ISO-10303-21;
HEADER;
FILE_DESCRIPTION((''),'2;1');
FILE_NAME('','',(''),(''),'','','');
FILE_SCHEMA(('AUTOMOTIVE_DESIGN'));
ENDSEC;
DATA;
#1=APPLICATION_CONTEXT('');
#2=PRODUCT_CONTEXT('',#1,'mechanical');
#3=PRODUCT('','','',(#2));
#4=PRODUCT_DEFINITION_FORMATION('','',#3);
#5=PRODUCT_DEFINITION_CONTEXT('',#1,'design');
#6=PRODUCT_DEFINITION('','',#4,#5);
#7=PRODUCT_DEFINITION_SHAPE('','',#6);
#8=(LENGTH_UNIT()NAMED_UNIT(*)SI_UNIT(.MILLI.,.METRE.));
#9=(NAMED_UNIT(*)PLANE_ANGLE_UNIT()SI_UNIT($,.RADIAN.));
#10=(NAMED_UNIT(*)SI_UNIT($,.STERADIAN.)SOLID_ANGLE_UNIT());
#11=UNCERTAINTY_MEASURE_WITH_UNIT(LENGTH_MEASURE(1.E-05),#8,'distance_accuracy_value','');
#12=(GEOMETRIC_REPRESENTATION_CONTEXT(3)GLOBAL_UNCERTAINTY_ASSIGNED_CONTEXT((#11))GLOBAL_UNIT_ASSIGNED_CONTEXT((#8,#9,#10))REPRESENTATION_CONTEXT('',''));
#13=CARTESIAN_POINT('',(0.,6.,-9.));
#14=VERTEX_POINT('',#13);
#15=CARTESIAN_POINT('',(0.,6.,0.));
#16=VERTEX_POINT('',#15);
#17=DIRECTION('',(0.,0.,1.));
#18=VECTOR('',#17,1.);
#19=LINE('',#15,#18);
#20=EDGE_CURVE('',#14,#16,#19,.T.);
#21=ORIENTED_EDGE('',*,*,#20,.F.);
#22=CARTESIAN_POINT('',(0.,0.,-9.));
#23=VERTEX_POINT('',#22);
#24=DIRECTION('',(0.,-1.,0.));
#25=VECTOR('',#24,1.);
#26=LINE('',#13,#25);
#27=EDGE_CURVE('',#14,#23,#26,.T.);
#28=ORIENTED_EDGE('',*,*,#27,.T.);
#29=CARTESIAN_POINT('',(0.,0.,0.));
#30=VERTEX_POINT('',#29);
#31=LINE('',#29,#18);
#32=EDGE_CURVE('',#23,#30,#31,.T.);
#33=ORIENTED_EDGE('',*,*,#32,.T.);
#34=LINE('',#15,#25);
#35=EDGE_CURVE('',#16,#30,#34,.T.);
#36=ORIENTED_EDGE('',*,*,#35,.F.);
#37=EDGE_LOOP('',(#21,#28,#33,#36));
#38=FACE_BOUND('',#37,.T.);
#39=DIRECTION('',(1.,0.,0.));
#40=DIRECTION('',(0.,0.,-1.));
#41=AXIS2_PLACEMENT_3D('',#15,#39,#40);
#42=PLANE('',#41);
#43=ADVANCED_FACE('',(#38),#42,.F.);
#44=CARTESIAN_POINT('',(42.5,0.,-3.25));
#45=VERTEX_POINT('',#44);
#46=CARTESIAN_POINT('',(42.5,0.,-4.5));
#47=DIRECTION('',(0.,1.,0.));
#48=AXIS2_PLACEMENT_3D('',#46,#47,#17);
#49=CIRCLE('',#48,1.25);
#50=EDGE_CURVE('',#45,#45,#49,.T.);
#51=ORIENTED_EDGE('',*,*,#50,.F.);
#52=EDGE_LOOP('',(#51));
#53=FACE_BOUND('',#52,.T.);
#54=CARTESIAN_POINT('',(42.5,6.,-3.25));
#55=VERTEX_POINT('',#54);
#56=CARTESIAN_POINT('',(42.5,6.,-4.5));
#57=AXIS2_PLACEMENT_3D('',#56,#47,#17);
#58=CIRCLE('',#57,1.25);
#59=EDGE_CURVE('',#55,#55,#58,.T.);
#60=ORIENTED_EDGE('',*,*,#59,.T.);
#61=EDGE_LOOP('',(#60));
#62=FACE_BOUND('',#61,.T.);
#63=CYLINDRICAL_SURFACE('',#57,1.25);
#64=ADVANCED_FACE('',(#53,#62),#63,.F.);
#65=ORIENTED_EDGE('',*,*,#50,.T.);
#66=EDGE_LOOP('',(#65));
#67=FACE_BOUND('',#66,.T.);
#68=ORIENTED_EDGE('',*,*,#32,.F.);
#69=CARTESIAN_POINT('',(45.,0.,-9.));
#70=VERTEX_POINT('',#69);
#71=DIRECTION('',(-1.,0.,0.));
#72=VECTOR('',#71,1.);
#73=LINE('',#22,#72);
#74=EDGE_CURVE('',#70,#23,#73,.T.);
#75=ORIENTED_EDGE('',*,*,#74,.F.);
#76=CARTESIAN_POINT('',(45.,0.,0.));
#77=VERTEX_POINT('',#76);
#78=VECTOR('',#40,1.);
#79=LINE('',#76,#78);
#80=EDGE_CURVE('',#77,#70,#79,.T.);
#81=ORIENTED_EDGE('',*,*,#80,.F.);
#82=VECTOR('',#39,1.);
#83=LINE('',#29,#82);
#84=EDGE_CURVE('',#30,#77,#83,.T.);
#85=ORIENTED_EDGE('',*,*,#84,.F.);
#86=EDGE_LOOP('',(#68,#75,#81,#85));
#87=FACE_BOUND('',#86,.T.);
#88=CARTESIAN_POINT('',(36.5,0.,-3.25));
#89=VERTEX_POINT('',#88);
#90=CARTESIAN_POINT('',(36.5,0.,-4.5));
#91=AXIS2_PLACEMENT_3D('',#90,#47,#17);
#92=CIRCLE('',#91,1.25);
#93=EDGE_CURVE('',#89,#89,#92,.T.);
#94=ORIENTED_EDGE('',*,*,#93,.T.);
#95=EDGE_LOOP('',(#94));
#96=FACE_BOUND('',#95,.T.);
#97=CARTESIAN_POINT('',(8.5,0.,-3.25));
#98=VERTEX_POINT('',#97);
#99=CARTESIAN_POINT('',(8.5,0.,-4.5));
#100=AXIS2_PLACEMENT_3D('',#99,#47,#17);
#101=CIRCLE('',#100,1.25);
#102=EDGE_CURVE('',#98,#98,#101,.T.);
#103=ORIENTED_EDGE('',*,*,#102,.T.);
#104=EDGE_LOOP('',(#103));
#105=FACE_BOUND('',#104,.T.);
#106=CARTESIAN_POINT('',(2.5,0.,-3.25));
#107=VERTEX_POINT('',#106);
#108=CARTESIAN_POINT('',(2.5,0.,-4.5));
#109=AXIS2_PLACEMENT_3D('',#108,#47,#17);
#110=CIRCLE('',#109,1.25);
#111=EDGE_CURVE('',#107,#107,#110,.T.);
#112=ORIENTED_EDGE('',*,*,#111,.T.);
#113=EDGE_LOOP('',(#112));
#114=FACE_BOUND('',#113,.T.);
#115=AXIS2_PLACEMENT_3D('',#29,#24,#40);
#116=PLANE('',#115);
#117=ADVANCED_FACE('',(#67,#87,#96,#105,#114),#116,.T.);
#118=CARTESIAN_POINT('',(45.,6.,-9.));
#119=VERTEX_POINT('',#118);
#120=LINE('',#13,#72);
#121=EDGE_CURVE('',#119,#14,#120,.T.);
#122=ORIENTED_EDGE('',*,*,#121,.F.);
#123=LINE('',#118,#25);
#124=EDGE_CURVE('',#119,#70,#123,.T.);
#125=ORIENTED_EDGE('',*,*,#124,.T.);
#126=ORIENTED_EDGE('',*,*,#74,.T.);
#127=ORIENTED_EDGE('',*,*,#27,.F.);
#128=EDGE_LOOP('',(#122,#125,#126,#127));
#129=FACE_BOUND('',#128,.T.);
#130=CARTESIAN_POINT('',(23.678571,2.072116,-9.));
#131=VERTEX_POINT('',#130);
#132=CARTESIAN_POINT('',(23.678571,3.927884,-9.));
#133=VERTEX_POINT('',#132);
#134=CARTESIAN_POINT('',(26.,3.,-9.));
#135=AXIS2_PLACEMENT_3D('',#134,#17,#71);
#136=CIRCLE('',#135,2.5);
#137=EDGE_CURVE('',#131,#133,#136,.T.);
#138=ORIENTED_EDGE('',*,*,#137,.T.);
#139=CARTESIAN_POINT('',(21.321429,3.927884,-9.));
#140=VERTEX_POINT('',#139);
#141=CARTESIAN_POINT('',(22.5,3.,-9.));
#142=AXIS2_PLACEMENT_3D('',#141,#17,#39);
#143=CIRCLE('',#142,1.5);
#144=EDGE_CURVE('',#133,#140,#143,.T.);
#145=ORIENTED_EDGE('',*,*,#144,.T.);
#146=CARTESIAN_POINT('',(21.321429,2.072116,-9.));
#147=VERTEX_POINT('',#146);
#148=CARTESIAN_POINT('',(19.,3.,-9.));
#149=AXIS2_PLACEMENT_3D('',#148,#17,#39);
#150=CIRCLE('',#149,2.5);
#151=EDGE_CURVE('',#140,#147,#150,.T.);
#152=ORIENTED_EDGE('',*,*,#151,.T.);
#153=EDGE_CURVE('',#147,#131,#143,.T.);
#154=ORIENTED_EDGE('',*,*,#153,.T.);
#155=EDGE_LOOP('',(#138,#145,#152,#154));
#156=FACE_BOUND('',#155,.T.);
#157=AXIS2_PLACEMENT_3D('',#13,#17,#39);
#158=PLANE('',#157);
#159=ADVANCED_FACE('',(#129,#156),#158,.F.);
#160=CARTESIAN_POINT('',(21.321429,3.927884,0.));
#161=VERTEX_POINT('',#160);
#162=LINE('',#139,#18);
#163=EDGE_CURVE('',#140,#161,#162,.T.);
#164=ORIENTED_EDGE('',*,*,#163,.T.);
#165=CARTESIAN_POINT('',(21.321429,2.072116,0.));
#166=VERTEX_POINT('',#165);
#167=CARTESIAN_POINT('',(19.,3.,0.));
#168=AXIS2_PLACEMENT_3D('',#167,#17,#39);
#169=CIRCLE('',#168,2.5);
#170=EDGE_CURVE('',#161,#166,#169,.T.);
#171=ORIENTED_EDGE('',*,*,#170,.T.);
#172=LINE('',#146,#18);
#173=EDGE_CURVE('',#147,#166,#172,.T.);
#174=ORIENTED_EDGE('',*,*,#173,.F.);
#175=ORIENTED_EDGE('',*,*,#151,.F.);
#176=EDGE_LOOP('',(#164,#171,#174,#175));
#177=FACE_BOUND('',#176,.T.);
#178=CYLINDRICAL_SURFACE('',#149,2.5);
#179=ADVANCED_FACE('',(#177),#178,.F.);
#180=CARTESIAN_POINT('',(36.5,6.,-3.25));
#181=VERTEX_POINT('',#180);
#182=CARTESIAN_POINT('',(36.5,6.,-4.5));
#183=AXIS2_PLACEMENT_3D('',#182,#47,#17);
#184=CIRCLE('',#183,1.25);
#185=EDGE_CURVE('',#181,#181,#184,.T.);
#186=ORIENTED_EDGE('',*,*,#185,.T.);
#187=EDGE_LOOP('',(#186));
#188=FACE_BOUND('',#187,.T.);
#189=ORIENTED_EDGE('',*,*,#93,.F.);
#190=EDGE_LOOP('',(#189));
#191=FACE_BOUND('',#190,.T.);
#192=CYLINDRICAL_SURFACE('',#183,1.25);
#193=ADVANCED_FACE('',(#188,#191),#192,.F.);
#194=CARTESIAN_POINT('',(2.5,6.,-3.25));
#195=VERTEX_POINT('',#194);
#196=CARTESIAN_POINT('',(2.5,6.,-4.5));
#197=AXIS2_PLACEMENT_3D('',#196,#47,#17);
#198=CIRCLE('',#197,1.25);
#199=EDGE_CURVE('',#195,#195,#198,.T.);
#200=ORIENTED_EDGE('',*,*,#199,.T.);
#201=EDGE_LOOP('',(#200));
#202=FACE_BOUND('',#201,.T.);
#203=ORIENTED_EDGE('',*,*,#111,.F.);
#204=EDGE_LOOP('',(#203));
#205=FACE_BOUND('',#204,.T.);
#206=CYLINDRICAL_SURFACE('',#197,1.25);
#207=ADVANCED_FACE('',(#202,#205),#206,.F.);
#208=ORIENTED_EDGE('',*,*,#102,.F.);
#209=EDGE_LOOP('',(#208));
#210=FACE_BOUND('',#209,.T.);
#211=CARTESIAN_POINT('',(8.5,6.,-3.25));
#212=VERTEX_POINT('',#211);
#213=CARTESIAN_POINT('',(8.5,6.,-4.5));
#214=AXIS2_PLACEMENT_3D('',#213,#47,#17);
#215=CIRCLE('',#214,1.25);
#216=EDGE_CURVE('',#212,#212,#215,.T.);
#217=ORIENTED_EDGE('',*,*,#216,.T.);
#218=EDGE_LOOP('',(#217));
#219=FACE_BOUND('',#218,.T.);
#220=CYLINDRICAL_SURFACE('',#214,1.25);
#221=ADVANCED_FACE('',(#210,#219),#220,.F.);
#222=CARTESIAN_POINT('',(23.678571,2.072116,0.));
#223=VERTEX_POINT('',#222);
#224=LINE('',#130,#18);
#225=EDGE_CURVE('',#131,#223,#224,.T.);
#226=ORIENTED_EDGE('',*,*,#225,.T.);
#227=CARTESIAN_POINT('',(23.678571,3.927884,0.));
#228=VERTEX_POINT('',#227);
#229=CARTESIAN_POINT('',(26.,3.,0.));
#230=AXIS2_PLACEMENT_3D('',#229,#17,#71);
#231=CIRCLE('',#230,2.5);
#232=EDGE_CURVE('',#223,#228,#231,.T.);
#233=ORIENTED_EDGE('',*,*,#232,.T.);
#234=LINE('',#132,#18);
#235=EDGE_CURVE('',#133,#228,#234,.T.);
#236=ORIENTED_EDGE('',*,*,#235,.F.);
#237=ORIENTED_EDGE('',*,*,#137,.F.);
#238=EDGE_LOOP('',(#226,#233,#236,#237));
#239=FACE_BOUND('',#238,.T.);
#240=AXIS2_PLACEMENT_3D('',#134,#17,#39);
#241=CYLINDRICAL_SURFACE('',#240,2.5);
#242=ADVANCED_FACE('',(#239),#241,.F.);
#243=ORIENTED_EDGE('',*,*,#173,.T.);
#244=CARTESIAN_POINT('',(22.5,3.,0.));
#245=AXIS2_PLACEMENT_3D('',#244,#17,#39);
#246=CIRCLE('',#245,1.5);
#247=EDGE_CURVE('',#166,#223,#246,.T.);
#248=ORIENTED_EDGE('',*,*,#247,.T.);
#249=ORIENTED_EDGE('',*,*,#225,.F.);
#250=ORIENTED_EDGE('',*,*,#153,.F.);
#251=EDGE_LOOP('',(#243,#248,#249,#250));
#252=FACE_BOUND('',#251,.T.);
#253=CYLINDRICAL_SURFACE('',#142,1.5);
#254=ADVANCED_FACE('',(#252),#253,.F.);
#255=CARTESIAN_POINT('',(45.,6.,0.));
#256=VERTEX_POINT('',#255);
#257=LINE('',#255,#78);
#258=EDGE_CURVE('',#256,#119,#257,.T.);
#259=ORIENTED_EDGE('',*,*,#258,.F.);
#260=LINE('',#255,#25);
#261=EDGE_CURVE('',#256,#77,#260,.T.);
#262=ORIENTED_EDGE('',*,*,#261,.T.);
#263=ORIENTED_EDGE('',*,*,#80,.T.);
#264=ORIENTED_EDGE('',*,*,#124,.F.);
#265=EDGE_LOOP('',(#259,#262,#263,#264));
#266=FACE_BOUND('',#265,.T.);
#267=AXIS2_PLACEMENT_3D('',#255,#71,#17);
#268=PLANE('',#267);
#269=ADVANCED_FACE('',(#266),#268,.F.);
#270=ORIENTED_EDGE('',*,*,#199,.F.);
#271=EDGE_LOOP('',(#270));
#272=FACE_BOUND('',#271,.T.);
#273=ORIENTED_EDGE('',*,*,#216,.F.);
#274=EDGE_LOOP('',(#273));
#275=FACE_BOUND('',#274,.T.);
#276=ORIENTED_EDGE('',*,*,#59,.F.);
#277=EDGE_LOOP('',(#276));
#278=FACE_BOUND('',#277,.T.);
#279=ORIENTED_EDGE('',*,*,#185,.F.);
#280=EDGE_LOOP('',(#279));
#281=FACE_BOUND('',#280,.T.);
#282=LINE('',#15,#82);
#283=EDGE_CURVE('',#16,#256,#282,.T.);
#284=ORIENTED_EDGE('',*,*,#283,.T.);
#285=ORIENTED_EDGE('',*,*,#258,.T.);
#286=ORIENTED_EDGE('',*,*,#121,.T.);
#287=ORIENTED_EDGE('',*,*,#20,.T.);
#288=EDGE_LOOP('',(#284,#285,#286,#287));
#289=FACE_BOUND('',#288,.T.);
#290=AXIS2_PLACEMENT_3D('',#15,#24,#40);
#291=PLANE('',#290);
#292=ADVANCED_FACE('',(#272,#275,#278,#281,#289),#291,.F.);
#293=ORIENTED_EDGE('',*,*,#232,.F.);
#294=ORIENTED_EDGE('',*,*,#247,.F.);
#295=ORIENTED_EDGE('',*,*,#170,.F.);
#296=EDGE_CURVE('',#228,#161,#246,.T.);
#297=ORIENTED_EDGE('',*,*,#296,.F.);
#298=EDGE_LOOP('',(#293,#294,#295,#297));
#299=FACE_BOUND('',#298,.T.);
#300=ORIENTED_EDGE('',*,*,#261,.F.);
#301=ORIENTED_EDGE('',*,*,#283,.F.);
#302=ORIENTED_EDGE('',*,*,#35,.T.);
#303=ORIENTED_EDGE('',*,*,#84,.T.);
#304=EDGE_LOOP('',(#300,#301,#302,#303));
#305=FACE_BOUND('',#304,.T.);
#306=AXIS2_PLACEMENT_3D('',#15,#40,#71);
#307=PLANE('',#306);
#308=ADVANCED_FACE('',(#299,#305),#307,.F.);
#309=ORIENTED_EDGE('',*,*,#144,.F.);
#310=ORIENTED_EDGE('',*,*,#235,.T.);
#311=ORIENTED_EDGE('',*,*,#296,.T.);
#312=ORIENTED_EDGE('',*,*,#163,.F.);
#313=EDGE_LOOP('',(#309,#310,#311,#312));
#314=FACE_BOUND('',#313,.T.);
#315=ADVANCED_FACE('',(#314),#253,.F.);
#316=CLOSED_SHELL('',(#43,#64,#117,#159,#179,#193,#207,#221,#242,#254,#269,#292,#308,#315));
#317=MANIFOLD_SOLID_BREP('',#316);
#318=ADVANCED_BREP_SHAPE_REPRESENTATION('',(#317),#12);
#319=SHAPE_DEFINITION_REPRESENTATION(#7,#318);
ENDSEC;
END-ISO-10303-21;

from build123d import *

# Parameters (mm, degrees)
SKETCH_1_W          = 45
SKETCH_1_H          = 9
EXTRUDE_1_DEPTH     = 6
HOLE_WIZARD_M3_1_D  = 2.5
CUT_EXTRUDE_1_DEPTH = 47.281745862


with BuildPart() as part:
    # 草图1 → 凸台-拉伸1 (new body)
    with BuildSketch(Plane(origin=(0, 0, 0), x_dir=(1, 0, 0), z_dir=(0, 1, 0))):
        with Locations((22.5, 4.5)):
            Rectangle(SKETCH_1_W, SKETCH_1_H)
    extrude(amount=EXTRUDE_1_DEPTH)

    # M3 螺纹孔1 (through all)
    with Locations(Plane(origin=(0, 6, 0), x_dir=(1, 0, 0), z_dir=(0, 1, 0))):
        with Locations((2.5, 4.5), (8.5, 4.5), (36.5, 4.5), (42.5, 4.5)):
            Hole(HOLE_WIZARD_M3_1_D / 2)

    # 草图4 → 切除-拉伸1 (cut, through all)
    with BuildSketch(Plane.XY):
        with BuildLine():
            ThreePointArc((21.321428571, 2.072115639), (22.5, 1.5), (23.678571429, 2.072115639))
            ThreePointArc((23.678571429, 2.072115639), (28.5, 3), (23.678571429, 3.927884361))
            ThreePointArc((23.678571429, 3.927884361), (22.5, 4.5), (21.321428571, 3.927884361))
            ThreePointArc((21.321428571, 3.927884361), (16.5, 3), (21.321428571, 2.072115639))
        make_face()
    extrude(amount=-CUT_EXTRUDE_1_DEPTH, mode=Mode.SUBTRACT)


solid = part.part
